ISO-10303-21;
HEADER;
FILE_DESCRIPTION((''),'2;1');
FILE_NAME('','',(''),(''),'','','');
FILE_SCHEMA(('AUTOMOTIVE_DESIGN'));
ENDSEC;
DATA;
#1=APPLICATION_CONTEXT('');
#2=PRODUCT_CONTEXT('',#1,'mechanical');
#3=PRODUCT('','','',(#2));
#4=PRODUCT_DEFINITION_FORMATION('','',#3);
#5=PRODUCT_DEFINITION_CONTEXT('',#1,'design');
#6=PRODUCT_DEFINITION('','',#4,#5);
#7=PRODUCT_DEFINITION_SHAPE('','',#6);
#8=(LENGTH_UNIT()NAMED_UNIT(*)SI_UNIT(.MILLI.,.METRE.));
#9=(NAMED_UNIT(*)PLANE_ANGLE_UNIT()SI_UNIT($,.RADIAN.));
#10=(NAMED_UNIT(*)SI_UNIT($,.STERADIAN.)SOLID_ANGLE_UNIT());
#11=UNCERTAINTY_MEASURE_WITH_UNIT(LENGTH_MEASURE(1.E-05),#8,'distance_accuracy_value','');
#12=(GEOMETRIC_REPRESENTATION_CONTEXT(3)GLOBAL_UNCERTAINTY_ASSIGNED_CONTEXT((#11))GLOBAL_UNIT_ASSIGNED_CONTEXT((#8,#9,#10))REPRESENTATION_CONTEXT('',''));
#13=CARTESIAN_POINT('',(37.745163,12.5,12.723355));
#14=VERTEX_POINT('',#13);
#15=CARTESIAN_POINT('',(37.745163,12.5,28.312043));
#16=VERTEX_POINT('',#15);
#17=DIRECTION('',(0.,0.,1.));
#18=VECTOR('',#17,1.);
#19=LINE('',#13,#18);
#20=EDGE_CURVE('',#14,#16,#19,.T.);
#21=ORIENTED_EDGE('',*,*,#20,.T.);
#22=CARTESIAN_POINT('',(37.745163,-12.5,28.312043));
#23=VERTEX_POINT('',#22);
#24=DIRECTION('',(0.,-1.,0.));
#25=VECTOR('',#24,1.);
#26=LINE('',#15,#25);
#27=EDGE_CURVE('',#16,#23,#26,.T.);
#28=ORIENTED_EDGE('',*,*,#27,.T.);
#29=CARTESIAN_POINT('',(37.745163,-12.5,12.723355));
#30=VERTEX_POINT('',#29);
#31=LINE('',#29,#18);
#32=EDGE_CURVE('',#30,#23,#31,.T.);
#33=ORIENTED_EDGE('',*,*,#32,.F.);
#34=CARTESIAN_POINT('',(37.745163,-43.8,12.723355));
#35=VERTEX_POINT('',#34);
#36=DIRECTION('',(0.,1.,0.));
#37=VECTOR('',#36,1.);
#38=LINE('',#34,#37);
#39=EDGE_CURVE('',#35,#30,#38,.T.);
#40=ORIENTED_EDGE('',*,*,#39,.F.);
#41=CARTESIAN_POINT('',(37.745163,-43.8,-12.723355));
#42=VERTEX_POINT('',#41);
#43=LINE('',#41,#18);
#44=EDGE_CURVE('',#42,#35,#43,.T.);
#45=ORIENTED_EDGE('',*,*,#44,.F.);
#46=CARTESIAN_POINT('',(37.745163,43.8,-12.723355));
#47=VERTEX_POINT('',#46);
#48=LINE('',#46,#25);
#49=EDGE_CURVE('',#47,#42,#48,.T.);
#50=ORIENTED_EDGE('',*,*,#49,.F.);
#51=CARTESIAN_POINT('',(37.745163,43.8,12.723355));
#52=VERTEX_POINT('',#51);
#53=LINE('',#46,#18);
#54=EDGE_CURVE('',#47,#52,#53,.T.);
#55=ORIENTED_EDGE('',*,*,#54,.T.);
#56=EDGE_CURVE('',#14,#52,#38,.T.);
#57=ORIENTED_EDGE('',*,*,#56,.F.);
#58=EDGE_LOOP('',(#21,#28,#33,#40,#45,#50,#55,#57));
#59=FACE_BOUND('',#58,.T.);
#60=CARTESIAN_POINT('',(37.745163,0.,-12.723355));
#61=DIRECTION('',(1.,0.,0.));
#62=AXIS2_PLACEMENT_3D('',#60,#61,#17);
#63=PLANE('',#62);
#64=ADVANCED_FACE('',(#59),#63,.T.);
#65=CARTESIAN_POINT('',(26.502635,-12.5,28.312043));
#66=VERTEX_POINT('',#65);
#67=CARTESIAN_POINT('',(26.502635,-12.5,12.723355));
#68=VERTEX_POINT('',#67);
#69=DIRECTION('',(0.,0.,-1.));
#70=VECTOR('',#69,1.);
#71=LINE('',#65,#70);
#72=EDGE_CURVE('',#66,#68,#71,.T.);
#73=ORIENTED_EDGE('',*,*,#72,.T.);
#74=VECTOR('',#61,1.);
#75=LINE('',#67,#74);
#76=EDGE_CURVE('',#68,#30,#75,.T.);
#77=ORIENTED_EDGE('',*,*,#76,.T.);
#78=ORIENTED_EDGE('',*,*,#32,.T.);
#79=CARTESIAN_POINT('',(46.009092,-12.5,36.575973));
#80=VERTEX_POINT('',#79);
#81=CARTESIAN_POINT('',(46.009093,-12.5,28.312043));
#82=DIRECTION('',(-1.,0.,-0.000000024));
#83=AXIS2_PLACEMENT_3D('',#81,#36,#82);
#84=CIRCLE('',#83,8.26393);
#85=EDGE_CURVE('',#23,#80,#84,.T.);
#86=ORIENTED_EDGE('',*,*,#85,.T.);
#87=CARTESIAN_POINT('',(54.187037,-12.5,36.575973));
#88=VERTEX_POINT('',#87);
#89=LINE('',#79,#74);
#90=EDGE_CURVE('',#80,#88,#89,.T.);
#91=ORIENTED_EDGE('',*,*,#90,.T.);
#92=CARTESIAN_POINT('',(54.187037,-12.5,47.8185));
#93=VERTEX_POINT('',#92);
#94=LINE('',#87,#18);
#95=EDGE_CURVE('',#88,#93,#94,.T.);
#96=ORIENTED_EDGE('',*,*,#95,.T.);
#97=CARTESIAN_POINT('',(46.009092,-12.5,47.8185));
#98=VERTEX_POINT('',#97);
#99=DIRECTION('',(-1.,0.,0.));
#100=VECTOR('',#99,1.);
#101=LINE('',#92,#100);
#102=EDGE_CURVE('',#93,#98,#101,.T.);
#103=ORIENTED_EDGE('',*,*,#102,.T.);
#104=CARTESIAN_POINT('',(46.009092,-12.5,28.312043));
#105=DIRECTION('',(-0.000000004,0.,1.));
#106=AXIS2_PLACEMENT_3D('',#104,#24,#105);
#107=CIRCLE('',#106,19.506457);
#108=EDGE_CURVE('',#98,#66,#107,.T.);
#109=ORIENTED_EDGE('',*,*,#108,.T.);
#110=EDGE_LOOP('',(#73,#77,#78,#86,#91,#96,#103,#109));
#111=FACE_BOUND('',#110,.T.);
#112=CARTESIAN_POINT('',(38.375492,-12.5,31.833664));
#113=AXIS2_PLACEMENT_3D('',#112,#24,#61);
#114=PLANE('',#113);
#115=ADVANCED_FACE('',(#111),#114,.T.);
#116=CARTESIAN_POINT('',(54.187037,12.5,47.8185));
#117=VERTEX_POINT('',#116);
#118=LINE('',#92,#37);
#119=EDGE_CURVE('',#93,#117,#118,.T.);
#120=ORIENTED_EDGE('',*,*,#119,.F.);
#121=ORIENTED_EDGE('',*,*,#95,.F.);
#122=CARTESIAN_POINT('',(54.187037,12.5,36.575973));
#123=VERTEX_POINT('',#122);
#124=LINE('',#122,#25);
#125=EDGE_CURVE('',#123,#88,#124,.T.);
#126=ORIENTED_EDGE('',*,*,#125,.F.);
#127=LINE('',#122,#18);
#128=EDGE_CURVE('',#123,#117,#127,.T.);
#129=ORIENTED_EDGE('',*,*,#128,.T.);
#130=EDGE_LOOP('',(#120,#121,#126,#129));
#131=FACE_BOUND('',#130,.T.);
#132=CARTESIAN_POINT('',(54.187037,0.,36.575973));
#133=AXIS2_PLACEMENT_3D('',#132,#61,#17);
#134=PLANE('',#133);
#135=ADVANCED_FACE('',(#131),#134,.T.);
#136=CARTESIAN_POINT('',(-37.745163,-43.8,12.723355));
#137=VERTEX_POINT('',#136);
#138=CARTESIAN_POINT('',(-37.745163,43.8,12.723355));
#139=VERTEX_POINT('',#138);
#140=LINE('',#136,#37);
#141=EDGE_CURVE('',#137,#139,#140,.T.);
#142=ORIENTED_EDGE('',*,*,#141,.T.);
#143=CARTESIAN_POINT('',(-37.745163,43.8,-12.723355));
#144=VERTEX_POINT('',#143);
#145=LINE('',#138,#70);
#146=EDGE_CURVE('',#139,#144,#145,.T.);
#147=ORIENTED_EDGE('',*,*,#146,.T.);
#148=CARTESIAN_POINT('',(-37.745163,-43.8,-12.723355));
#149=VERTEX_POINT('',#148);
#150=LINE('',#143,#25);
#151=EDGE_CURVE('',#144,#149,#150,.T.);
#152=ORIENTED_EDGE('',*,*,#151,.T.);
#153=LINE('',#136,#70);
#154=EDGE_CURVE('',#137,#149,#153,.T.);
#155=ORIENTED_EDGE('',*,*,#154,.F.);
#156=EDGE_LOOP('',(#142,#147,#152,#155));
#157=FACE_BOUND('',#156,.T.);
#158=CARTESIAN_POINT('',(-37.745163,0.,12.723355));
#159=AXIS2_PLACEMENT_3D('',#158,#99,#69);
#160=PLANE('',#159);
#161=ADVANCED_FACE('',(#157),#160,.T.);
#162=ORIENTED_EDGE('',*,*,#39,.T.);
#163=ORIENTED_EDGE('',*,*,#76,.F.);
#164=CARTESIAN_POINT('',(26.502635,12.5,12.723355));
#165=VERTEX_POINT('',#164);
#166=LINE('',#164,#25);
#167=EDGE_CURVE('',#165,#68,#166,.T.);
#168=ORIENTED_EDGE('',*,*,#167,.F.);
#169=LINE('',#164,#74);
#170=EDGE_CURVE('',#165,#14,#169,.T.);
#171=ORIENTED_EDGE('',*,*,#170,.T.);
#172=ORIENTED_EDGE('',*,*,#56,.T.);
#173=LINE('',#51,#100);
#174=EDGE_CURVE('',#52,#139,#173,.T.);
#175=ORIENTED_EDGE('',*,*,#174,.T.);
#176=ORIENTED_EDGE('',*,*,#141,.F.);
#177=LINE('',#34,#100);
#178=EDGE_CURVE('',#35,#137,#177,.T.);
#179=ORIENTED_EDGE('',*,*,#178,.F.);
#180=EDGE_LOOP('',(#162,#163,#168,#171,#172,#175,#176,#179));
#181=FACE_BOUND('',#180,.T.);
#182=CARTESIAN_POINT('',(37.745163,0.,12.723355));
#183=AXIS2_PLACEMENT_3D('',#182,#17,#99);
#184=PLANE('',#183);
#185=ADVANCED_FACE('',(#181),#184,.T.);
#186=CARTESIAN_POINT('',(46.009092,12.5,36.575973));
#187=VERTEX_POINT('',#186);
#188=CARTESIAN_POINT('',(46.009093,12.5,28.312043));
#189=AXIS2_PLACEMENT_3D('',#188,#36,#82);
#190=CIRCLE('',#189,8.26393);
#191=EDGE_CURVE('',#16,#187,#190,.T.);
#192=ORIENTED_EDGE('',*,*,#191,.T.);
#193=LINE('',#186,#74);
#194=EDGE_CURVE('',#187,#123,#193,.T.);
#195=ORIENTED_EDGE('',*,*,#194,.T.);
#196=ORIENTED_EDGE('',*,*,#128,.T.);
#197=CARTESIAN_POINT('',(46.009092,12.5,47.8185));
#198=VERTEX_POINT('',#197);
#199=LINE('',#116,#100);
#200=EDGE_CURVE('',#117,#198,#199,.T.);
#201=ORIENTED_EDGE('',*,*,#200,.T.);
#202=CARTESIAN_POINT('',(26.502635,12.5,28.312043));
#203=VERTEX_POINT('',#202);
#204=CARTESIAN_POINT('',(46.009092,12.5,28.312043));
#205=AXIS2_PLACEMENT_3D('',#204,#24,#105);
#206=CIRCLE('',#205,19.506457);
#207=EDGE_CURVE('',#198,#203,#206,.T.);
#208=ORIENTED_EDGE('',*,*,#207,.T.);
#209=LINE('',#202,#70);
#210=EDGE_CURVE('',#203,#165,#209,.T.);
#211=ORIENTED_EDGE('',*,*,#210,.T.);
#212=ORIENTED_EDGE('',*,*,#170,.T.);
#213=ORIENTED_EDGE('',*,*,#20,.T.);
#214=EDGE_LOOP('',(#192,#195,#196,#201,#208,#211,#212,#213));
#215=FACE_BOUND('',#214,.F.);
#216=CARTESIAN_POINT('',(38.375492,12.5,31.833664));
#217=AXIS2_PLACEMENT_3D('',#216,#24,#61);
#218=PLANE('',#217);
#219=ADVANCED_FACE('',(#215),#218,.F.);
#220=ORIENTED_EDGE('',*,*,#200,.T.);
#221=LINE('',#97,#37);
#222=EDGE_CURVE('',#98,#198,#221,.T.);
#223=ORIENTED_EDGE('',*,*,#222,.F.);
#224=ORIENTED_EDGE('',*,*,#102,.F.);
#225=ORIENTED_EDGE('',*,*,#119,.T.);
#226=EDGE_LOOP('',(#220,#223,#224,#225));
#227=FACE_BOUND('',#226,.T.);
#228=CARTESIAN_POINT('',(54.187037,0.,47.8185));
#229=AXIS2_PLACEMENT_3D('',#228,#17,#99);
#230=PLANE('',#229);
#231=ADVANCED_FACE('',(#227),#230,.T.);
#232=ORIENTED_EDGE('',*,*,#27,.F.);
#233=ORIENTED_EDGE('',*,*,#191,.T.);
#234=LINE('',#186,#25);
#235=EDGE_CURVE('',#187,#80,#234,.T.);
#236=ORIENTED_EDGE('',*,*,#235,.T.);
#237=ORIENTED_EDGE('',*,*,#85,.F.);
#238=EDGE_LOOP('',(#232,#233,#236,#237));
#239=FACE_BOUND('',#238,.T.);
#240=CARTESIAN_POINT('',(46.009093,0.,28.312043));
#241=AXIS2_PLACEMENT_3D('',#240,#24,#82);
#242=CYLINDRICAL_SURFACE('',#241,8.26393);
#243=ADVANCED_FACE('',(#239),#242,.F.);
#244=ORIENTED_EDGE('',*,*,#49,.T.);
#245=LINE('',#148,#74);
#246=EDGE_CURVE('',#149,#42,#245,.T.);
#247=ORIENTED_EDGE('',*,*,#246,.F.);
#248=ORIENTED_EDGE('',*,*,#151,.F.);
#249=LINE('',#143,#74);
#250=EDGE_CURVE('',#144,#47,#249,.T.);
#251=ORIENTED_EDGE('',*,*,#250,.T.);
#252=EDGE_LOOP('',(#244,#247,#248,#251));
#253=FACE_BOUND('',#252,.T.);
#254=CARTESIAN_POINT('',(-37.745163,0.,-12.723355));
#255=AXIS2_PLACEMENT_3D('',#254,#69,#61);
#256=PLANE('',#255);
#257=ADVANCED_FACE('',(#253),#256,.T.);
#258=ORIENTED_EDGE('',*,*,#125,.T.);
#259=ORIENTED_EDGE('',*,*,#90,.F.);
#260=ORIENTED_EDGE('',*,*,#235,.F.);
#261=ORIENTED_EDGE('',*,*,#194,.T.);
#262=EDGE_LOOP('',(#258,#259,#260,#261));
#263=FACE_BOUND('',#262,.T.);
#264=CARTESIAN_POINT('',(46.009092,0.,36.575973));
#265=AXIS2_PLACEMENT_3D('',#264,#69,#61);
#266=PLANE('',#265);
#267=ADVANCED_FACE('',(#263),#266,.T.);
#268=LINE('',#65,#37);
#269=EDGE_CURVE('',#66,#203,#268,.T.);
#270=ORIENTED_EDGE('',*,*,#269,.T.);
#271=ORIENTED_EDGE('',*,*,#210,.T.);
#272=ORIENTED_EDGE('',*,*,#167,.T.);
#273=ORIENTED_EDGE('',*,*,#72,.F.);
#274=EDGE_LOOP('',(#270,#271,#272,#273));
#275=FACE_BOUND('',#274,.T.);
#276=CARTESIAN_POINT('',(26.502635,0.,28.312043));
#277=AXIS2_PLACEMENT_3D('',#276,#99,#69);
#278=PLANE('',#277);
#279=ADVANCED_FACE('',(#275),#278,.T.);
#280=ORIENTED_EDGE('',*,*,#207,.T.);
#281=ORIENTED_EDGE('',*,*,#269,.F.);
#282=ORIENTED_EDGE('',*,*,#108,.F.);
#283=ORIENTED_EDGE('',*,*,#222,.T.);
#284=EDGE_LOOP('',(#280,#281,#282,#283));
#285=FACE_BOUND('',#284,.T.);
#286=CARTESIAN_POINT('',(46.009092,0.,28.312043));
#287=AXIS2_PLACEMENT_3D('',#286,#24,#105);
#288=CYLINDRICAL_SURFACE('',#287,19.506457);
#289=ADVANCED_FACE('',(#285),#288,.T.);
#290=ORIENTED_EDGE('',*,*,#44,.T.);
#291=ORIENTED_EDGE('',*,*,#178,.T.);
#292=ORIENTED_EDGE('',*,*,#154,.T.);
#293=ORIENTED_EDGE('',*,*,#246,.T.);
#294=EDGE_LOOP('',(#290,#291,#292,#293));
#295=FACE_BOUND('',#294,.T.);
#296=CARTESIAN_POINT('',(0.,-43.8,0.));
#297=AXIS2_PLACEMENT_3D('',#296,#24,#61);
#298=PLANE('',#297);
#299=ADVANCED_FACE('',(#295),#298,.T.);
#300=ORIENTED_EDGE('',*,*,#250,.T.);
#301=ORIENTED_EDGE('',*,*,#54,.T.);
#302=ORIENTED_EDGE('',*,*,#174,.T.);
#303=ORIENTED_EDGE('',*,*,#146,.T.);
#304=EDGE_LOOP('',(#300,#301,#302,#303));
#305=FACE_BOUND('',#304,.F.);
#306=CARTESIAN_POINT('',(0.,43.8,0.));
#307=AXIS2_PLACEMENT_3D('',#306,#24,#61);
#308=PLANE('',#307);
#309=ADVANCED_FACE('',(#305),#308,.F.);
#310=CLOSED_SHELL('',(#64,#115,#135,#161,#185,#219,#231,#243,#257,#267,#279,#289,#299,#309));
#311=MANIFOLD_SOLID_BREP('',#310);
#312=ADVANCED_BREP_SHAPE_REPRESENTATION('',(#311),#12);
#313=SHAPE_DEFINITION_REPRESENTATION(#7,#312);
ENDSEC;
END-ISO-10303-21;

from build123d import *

# Parameters (mm, degrees)
F1_DEPTH = 12.5
F2_DEPTH = 43.8


with BuildPart() as f1:
    # F0 (on Front) → F1 (new body, symmetric)
    with BuildSketch(Plane.XZ):
        with BuildLine():
            Line((26.502635, 28.312043), (26.502635, 12.723355))
            Line((26.502635, 12.723355), (37.745163, 12.723355))
            Line((37.745163, 12.723355), (37.745163, 28.312043))
            ThreePointArc((37.745163, 28.312043), (40.165612, 34.155524), (46.009092, 36.575973))
            Line((46.009092, 36.575973), (54.187037, 36.575973))
            Line((54.187037, 36.575973), (54.187037, 47.8185))
            Line((54.187037, 47.8185), (46.009092, 47.8185))
            ThreePointArc((46.009092, 47.8185), (32.215944, 42.105191), (26.502635, 28.312043))
        make_face()
    extrude(amount=F1_DEPTH, both=True)

    # F0 (on Front) → F2 (join, symmetric)
    with BuildSketch(Plane.XZ):
        Polygon((26.502635, 12.723355), (-37.745163, 12.723355), (-37.745163, -12.723355), (37.745163, -12.723355), (37.745163, 12.723355), align=None)
    extrude(amount=F2_DEPTH, both=True)


solid = f1.part
